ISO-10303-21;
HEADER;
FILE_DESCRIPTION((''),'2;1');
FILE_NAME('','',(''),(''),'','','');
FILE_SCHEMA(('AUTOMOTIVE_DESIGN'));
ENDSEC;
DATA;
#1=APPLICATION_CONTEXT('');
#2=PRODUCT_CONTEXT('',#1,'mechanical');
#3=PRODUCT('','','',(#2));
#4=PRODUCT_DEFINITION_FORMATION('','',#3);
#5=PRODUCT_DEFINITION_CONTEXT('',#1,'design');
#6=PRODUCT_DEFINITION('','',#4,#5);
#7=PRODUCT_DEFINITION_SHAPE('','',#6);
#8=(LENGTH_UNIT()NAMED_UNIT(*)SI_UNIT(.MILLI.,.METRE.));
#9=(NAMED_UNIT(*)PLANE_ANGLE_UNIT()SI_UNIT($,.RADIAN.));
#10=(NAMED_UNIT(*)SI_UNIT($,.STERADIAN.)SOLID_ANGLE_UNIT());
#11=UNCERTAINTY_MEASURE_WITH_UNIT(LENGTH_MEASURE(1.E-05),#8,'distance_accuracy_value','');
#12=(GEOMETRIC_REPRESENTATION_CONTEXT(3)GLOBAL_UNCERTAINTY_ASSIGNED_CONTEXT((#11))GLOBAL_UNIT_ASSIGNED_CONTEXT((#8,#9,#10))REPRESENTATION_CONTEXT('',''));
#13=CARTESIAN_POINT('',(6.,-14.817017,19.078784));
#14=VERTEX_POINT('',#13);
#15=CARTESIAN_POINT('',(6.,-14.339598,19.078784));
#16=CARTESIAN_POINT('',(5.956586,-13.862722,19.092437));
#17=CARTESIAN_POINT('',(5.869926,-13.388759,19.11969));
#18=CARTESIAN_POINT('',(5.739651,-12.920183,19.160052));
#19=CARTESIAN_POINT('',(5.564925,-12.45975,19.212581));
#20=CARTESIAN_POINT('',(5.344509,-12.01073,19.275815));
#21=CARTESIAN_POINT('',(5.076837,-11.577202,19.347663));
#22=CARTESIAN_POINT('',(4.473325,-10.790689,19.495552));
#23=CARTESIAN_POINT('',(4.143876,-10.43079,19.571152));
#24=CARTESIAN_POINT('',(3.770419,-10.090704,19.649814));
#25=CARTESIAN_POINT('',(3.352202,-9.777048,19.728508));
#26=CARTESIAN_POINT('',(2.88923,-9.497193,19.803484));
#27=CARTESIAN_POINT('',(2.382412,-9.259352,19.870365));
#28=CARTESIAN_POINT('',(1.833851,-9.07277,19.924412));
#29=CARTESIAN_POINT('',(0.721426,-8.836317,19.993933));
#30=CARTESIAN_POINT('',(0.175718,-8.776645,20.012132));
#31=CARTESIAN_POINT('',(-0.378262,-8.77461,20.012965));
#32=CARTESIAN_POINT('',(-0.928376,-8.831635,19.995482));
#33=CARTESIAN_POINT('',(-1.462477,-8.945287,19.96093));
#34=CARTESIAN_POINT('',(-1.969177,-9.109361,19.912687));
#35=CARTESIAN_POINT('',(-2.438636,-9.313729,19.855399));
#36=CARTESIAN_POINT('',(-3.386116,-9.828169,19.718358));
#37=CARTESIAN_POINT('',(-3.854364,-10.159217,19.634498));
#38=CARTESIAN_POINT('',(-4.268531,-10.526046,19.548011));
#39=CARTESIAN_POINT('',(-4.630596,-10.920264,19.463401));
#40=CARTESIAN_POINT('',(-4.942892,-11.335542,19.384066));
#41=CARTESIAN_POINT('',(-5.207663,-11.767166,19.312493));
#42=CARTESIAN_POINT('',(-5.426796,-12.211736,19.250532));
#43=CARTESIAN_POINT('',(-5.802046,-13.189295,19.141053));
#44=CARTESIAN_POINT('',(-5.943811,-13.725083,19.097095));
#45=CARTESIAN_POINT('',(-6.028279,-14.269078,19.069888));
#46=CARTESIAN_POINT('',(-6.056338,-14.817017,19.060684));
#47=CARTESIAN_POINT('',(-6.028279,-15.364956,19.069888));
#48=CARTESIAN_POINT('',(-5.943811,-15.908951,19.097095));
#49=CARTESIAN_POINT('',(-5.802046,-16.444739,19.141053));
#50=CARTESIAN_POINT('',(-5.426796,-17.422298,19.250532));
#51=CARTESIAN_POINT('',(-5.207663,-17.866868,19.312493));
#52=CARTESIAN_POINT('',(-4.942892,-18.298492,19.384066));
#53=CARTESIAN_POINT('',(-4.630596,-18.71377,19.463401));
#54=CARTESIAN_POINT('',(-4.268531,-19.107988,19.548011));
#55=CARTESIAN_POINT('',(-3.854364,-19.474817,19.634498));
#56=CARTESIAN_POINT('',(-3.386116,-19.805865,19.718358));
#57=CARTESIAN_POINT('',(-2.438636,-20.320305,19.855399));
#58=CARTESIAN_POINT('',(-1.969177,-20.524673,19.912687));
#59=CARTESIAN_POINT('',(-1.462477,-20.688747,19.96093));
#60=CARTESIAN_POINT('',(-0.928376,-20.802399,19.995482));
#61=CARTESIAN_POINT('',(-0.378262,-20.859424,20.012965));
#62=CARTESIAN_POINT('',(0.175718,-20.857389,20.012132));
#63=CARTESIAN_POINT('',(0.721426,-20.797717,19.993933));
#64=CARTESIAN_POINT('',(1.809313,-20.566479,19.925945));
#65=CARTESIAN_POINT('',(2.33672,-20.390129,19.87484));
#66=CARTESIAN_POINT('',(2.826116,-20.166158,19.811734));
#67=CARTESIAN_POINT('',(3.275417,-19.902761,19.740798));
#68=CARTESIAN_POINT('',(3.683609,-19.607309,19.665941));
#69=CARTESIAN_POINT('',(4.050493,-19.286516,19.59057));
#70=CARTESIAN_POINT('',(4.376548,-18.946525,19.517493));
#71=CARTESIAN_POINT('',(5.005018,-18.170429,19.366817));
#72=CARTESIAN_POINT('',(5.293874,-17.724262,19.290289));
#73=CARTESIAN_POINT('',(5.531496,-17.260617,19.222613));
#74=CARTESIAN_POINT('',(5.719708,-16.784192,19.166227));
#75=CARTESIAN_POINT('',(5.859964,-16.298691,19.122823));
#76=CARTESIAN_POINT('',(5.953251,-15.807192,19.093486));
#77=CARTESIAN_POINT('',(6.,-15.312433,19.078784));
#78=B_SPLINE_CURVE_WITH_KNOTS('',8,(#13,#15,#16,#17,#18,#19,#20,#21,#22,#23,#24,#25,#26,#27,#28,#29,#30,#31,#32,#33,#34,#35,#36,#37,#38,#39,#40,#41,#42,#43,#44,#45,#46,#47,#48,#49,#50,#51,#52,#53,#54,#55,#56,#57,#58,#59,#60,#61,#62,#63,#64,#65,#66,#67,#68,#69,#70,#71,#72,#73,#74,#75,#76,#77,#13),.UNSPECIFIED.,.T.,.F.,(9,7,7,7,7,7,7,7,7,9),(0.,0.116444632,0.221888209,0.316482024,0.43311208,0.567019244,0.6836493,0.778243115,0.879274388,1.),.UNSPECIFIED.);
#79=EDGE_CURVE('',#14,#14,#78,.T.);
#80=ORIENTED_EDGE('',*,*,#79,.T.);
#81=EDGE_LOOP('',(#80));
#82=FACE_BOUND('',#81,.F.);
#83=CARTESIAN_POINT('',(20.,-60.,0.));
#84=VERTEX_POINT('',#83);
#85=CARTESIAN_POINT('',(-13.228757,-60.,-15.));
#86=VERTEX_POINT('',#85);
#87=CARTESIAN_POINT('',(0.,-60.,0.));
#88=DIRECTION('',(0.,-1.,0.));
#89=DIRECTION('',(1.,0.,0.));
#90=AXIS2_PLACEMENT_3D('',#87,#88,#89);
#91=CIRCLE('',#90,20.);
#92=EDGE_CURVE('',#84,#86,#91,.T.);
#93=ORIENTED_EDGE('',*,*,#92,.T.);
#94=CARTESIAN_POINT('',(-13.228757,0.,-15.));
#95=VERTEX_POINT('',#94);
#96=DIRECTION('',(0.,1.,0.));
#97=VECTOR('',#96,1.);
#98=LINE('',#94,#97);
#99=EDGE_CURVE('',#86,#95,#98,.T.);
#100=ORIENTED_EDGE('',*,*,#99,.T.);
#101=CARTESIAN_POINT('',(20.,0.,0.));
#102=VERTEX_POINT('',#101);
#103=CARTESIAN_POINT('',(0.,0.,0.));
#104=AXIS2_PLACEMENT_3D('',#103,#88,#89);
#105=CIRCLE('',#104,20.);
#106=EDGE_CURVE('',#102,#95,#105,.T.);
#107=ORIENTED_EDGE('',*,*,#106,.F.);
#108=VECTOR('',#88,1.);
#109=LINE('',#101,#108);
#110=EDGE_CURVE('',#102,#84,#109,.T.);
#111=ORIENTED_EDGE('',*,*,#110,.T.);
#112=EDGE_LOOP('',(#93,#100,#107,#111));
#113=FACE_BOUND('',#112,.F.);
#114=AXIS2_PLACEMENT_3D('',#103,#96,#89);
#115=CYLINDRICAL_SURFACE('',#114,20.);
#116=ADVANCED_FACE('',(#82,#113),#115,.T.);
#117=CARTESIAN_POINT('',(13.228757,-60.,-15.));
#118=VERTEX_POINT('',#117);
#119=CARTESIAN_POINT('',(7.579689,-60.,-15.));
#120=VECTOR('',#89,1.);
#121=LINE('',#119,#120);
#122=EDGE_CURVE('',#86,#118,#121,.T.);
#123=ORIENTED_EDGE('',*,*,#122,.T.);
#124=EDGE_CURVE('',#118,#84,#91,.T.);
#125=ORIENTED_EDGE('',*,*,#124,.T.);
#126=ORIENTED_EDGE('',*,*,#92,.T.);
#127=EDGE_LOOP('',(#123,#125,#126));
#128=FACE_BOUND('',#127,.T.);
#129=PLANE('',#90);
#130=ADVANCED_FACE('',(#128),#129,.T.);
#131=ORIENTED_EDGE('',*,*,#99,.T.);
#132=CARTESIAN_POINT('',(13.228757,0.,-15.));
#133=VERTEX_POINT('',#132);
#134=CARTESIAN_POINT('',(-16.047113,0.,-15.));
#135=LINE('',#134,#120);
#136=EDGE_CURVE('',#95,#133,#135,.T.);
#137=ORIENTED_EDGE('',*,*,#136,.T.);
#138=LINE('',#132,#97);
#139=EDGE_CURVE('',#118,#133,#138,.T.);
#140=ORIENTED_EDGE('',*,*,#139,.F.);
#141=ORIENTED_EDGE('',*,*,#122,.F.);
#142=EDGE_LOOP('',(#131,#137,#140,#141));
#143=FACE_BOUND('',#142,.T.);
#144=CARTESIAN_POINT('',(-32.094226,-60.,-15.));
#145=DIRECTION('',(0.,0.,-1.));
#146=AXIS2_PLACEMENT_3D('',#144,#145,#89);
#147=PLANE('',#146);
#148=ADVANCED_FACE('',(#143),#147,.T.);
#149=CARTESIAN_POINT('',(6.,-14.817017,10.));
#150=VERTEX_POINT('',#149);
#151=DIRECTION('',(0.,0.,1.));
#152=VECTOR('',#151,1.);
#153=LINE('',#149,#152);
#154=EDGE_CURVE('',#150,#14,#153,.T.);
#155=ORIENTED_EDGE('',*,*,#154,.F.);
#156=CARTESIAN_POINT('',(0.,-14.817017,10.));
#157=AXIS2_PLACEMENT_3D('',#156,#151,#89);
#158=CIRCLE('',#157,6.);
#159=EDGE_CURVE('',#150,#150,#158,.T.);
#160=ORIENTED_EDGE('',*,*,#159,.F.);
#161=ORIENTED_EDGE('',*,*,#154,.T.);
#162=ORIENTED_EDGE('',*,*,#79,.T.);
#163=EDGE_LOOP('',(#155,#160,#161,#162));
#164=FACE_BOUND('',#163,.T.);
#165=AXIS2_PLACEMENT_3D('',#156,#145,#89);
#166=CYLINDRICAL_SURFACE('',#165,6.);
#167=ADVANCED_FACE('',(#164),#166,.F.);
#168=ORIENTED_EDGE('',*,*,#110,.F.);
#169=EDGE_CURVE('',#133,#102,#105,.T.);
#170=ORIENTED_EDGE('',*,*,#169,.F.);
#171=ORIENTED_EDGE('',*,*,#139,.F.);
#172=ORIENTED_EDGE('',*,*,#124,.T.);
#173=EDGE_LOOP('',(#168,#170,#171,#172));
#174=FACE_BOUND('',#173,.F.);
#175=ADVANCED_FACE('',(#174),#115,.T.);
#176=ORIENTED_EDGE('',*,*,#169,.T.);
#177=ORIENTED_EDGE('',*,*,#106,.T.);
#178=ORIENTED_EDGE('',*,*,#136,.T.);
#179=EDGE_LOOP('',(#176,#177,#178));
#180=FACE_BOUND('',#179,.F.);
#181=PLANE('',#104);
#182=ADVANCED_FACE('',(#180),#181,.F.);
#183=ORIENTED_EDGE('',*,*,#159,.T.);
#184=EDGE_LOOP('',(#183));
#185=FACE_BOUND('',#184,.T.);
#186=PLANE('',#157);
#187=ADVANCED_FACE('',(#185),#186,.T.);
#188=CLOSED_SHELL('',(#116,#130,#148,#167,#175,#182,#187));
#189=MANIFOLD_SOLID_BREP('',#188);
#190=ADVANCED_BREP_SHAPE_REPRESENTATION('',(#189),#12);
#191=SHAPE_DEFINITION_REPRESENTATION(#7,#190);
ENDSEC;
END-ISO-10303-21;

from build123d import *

# Parameters (mm, degrees)
F0_R     = 20
F1_DEPTH = 60
F3_R     = 6
F4_DEPTH = 23.59607
F5_W     = 79.34783
F5_H     = 17.173914
F6_DEPTH = 121.24079


with BuildPart() as f1:
    # F0 (on Front) → F1 (new body)
    with BuildSketch(Plane.XZ):
        Circle(F0_R)
    extrude(amount=F1_DEPTH)

    # F3 (on offset) → F4 (cut)
    with BuildSketch(Plane.XY.offset(10)):
        with Locations((0, -14.817017)):
            Circle(F3_R)
    extrude(amount=F4_DEPTH, mode=Mode.SUBTRACT)

    # F5 (on face) → F6 (cut)
    with BuildSketch(Plane.XZ.offset(60)):
        with Locations((7.579689, -23.586957)):
            Rectangle(F5_W, F5_H)
    extrude(amount=-F6_DEPTH, mode=Mode.SUBTRACT)


solid = f1.part
